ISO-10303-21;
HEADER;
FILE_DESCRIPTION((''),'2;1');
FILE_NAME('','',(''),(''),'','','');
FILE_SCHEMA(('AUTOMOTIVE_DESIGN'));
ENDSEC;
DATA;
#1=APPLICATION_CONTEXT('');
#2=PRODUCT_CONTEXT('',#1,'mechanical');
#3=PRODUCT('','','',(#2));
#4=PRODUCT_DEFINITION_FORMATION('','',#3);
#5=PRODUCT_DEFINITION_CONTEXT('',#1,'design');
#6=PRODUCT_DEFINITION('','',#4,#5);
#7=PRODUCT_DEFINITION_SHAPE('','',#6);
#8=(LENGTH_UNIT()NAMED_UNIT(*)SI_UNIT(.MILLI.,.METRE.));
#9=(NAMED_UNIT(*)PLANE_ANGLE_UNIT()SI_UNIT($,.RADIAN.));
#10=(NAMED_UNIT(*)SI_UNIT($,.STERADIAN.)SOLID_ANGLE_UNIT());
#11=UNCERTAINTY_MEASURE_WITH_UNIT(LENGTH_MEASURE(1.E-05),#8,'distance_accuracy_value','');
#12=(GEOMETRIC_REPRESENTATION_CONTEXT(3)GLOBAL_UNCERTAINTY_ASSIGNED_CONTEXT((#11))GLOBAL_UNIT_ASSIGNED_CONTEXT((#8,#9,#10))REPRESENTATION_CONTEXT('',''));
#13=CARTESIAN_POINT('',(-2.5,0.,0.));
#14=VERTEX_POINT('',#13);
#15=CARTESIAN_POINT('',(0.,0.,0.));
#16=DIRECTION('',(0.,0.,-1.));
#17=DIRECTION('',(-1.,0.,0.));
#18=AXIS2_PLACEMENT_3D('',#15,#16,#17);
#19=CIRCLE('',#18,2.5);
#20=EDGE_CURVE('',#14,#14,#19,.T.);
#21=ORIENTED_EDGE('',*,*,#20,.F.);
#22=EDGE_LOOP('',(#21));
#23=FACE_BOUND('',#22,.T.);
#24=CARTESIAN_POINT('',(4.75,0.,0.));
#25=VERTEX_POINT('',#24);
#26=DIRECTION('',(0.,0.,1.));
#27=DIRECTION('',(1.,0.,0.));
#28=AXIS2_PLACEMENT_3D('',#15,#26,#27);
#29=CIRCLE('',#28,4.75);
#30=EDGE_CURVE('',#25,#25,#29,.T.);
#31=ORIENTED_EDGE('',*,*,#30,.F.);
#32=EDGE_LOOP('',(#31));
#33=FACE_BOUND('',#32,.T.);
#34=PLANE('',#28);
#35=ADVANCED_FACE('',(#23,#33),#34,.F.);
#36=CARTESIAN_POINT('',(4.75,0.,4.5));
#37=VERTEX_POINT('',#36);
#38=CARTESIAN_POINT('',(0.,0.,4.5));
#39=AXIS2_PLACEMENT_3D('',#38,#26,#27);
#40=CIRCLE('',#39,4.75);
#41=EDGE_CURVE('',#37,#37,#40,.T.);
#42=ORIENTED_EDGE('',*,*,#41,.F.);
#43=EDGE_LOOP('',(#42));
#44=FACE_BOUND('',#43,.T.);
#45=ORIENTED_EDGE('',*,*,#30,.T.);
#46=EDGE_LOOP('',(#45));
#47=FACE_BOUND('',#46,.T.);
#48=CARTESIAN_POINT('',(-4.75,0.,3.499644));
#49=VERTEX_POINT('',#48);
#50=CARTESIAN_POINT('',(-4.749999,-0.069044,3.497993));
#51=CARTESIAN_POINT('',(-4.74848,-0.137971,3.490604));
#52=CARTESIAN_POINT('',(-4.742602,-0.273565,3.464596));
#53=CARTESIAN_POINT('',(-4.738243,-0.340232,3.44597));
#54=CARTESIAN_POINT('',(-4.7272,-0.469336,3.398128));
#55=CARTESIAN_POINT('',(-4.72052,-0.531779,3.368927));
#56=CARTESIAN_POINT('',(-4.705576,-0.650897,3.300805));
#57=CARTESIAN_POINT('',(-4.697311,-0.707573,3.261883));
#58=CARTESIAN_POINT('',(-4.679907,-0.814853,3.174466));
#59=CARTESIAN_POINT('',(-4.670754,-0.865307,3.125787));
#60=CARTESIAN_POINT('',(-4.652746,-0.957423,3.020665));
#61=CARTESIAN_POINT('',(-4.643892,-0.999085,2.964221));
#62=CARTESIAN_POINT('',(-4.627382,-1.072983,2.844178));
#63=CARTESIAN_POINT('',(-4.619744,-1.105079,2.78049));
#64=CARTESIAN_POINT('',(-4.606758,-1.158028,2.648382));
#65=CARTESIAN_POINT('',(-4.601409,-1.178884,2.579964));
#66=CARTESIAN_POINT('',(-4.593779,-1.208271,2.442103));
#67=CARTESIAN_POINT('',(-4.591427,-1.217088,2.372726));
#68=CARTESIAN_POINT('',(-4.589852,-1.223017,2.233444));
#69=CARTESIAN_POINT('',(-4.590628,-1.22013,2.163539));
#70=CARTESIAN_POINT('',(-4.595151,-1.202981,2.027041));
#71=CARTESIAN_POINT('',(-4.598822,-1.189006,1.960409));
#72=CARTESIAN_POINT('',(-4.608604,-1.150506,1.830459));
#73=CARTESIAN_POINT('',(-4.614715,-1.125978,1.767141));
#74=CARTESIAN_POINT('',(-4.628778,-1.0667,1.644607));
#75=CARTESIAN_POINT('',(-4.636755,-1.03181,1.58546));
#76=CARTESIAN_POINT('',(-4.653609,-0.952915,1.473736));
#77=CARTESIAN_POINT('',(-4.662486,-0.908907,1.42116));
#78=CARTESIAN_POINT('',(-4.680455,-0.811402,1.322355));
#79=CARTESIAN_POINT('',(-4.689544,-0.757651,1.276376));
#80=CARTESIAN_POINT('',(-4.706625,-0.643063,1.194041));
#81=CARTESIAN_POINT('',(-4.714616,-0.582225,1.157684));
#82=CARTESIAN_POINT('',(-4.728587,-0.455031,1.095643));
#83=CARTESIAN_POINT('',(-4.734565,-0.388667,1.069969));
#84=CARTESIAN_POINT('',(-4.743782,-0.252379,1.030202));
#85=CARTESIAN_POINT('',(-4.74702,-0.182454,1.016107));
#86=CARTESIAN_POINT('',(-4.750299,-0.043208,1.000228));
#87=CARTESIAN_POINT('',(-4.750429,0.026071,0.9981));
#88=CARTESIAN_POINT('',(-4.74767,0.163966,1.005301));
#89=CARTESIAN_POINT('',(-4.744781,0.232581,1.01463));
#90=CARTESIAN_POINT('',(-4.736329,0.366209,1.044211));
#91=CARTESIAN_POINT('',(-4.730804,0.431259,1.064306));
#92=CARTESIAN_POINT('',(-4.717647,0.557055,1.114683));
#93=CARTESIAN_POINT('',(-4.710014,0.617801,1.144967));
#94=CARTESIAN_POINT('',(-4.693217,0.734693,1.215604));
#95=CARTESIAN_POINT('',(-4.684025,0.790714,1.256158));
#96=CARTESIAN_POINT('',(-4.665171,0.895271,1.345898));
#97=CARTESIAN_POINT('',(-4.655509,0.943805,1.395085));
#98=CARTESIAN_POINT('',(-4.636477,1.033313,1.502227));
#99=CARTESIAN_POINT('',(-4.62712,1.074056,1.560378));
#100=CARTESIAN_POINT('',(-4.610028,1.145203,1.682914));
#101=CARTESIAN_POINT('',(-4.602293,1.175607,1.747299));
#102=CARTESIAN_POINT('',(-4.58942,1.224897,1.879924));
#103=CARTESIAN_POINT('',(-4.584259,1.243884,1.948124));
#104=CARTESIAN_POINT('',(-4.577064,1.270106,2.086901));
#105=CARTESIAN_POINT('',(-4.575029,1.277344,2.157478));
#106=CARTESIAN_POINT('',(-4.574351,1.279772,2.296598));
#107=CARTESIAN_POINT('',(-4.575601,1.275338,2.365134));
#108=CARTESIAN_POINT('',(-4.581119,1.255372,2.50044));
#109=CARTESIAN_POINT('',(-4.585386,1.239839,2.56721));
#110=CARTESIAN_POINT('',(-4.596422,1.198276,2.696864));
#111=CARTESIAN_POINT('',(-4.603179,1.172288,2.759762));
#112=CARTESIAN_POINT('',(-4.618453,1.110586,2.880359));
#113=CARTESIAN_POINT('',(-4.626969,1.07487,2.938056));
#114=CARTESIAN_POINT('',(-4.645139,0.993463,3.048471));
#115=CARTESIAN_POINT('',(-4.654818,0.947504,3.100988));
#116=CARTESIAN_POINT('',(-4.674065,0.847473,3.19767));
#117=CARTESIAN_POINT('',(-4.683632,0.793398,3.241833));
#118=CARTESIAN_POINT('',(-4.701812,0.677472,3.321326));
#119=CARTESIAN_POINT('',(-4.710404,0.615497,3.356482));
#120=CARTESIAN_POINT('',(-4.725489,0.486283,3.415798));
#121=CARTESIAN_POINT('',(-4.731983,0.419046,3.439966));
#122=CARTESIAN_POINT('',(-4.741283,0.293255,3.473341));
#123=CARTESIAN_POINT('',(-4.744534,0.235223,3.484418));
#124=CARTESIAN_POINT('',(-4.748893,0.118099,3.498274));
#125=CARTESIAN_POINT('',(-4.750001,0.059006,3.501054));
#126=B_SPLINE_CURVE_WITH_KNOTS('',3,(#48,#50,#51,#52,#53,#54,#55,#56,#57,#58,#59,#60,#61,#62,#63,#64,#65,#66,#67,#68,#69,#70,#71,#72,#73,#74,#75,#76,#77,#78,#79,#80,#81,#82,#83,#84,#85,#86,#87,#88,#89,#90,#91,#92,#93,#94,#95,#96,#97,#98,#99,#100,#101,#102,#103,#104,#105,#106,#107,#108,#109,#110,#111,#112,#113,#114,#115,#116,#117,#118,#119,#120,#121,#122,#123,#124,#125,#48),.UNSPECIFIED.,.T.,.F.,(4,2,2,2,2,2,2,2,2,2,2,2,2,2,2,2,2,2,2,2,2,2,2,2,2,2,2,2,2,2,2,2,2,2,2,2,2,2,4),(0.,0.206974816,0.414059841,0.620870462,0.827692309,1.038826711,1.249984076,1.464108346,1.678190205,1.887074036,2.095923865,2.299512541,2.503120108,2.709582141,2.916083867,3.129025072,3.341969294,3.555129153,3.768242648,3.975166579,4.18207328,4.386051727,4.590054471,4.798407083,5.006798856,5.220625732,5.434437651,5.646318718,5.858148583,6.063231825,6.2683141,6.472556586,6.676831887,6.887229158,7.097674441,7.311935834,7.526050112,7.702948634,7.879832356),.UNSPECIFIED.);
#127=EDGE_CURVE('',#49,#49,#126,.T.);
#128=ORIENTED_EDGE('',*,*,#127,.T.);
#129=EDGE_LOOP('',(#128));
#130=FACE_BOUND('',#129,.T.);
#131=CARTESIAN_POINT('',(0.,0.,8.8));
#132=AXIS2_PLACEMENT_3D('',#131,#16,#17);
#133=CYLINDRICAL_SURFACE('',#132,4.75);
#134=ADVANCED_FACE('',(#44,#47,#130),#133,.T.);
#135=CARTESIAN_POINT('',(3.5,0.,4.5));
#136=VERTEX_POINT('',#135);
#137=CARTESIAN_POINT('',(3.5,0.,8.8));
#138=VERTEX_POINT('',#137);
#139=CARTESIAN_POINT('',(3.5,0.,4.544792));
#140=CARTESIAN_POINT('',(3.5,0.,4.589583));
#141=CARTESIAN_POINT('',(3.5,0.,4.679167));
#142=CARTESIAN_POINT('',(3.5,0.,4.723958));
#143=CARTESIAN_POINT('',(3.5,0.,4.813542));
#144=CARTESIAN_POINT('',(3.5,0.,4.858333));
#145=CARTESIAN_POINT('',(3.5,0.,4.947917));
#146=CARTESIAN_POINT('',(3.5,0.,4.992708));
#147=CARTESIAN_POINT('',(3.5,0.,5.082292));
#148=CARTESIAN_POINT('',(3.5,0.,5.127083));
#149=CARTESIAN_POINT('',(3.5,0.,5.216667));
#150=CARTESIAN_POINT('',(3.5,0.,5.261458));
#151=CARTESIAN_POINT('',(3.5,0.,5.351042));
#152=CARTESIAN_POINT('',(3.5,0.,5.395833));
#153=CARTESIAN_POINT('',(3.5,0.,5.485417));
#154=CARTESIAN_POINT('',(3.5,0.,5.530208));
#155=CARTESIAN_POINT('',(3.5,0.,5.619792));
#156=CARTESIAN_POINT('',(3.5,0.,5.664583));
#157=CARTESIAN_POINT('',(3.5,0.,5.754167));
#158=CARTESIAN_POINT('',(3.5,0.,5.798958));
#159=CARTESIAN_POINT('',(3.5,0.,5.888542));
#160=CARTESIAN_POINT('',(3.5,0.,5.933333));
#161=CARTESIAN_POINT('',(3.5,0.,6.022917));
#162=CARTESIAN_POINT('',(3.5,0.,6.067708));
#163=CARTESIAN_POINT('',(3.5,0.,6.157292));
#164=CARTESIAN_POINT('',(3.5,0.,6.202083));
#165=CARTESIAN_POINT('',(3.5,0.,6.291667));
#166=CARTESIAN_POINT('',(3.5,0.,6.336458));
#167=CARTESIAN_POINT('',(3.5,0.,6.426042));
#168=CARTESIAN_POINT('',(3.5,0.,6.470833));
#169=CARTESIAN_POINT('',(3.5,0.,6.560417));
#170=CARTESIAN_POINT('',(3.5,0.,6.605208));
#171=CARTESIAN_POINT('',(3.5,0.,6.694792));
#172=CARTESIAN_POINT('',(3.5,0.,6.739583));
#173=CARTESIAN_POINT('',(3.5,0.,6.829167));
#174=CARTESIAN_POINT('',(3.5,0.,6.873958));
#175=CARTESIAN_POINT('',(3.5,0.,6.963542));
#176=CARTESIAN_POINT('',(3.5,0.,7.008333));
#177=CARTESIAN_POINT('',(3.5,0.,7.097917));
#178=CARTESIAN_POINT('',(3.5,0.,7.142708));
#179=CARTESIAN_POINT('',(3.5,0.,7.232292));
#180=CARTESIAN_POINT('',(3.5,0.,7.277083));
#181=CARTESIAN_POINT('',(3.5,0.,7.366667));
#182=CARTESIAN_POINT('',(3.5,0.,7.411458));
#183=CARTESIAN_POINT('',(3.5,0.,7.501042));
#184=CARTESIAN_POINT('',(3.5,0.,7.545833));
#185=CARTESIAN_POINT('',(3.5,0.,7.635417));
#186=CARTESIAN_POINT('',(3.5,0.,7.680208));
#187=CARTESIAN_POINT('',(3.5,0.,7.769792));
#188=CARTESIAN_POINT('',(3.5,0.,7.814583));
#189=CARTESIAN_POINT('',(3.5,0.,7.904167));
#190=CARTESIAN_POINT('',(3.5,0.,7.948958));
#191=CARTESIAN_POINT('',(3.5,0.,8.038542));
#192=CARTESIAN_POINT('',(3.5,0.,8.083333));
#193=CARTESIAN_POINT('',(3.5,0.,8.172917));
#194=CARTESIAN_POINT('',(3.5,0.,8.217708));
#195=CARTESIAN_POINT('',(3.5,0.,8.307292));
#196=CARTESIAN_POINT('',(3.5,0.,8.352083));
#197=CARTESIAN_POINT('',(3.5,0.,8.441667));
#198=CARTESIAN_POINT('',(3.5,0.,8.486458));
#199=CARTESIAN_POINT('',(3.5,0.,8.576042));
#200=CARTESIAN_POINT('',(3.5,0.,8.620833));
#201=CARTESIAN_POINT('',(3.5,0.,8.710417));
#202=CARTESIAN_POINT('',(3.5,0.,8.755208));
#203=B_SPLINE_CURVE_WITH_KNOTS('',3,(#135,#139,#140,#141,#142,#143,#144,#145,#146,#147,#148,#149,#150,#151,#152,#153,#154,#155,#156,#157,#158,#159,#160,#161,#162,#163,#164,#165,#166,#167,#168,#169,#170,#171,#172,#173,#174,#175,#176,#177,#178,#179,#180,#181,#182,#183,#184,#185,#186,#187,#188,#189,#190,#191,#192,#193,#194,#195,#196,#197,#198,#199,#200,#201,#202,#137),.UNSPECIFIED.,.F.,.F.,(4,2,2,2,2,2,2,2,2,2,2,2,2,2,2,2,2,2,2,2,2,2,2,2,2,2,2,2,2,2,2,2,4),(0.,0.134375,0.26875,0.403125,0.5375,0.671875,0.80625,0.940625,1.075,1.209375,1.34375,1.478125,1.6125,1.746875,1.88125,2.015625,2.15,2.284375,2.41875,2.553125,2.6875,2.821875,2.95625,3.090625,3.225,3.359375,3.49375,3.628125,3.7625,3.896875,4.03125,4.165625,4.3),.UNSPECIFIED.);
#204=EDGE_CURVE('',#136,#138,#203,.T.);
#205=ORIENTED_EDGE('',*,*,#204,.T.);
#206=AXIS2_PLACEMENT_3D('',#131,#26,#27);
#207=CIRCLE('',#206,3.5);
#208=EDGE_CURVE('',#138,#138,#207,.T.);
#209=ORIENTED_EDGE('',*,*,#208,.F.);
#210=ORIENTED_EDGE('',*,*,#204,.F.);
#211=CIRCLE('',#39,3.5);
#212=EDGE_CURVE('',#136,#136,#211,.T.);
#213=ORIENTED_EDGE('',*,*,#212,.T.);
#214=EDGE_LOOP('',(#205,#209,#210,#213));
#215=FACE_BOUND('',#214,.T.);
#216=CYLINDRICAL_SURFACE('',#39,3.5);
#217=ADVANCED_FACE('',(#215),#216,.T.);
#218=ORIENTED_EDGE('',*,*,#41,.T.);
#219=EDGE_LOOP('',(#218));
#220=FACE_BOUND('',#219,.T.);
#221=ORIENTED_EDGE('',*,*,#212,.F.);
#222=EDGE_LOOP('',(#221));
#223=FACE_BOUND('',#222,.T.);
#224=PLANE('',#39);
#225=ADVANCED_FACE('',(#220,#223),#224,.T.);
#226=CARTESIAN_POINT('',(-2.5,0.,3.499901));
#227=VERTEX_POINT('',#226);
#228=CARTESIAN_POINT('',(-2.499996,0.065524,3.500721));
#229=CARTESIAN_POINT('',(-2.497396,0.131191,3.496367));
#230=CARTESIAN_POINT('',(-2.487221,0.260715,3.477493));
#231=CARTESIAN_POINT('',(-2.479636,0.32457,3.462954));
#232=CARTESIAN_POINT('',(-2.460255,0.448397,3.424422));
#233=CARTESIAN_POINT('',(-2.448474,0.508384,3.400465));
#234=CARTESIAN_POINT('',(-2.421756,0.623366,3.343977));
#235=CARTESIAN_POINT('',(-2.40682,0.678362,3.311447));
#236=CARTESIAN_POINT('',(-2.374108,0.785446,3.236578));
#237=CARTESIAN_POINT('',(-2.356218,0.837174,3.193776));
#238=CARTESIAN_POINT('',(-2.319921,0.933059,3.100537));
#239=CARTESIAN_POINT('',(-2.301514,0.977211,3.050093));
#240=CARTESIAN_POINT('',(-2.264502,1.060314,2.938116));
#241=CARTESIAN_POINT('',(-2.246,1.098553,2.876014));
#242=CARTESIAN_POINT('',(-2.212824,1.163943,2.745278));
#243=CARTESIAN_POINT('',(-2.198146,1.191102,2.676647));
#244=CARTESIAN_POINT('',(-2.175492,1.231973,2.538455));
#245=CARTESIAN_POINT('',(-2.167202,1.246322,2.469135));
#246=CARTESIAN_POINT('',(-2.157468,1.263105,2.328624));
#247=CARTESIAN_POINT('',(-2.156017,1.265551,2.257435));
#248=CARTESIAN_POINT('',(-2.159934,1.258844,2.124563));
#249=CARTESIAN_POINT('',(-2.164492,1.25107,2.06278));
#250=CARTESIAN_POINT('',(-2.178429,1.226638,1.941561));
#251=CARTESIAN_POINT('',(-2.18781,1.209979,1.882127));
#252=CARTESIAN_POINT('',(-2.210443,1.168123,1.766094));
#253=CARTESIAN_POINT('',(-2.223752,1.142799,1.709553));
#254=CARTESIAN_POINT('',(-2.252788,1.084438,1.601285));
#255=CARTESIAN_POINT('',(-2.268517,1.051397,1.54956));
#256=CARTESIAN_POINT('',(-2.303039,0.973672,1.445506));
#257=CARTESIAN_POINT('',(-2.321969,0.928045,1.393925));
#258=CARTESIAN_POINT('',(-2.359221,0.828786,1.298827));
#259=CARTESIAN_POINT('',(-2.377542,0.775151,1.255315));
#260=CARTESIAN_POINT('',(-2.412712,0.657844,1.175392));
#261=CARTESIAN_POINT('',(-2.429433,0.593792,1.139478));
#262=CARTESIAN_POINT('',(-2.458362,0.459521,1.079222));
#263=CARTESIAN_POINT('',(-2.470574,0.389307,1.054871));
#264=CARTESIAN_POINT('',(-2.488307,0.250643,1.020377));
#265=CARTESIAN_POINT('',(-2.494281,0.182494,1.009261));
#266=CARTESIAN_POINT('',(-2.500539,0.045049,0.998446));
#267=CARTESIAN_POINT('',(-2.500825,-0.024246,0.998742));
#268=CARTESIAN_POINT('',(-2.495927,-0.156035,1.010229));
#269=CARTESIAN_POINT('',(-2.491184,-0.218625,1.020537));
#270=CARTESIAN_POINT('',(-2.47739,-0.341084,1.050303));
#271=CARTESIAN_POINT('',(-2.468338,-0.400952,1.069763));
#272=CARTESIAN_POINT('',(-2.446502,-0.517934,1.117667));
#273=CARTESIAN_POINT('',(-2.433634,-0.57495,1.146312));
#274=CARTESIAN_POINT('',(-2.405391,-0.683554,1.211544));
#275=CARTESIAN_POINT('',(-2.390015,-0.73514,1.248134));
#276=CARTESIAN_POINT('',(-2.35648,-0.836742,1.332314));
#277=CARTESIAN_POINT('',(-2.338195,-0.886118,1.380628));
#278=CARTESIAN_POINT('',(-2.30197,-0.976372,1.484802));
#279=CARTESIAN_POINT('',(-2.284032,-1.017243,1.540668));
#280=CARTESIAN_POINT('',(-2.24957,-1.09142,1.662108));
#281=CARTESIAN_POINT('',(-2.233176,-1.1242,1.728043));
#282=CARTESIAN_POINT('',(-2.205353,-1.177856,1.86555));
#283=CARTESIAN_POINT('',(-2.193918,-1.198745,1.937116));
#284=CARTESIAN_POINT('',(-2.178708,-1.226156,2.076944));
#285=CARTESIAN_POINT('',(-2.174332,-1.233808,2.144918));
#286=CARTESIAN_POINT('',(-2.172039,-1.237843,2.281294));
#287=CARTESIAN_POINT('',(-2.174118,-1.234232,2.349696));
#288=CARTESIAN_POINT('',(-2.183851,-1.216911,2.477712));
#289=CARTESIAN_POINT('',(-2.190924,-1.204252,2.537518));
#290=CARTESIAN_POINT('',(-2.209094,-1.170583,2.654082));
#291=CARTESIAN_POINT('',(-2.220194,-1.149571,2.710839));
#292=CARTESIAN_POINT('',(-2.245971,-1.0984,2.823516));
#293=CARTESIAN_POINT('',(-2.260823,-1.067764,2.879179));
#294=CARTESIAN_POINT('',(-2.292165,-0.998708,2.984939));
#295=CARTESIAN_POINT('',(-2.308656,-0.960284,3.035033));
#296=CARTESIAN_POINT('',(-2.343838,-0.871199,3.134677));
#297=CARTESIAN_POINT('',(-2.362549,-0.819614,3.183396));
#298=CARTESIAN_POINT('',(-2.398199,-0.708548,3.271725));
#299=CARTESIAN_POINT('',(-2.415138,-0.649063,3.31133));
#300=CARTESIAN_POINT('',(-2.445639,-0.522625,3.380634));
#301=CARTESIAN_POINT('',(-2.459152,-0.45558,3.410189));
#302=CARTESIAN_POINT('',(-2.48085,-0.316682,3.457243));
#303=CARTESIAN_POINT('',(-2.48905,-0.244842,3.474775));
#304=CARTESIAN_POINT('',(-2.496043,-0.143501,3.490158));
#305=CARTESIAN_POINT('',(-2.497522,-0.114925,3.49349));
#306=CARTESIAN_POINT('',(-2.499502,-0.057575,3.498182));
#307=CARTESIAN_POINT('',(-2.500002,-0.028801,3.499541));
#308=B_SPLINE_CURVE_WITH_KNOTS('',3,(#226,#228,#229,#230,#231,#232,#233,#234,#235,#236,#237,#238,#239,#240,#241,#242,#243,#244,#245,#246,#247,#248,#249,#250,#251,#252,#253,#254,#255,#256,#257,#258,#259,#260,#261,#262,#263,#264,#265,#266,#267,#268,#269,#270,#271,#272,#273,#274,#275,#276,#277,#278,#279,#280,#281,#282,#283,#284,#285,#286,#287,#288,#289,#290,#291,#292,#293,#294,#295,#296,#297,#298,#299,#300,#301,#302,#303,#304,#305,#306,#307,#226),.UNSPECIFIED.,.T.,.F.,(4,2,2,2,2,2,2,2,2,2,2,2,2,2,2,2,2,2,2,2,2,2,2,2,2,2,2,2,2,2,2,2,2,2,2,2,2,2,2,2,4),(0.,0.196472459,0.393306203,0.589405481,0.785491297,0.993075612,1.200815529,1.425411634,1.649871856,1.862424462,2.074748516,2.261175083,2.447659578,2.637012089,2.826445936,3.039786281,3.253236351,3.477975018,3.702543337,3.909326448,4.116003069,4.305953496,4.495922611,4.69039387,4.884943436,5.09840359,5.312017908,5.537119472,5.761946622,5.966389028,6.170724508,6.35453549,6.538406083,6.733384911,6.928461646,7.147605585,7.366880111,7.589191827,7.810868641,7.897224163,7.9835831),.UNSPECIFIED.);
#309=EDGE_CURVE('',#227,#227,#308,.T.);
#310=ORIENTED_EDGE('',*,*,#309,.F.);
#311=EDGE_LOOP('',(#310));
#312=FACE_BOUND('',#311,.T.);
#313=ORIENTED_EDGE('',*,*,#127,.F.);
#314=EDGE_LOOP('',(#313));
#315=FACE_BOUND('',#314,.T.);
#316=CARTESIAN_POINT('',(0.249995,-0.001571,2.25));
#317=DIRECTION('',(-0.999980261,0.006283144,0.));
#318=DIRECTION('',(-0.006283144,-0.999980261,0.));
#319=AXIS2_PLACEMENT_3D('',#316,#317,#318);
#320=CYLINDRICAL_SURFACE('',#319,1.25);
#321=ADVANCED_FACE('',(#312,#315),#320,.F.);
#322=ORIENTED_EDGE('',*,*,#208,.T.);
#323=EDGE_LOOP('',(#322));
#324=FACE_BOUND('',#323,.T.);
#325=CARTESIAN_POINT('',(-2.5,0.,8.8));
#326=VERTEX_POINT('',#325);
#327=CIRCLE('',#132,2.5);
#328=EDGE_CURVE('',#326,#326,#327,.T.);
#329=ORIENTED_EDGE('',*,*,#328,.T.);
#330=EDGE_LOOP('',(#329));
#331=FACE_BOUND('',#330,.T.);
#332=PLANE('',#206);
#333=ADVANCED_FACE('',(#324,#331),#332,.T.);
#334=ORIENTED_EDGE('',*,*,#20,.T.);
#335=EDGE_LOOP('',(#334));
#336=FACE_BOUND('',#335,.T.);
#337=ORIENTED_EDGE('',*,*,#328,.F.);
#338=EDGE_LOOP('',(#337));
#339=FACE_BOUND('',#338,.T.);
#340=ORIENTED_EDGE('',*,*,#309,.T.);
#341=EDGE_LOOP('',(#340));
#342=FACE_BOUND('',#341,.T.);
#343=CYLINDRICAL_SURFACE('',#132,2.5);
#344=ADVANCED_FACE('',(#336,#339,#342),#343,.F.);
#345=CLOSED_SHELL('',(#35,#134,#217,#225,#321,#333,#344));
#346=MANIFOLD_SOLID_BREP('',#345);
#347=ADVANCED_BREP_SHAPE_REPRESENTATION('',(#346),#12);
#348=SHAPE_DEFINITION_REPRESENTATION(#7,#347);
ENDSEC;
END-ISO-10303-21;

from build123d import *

# Parameters (mm, degrees)
ESQUISSE1_R             = 4.75
BOSS_EXTRU_1_DEPTH      = 8.8
ENL_V_START             = -4.3
ESQUISSE2_R             = 4.75
ESQUISSE2_R_2           = 3.5
ENL_V_MAT_EXTRU_1_DEPTH = 4.3
ESQUISSE3_R             = 2.5
ENL_V_MAT_EXTRU_2_DEPTH = 12.070907822
ESQUISSE5_R             = 1.25
ENL_V_MAT_EXTRU_3_DEPTH = 5


with BuildPart() as part:
    # Esquisse1 → Boss.-Extru.1 (new body)
    with BuildSketch(Plane.XY):
        Circle(ESQUISSE1_R)
    extrude(amount=BOSS_EXTRU_1_DEPTH)

    # Esquisse2 → Enlèv. mat.-Extru.1 (cut)
    with BuildSketch(Plane.XY.offset(8.8).offset(ENL_V_START)):
        Circle(ESQUISSE2_R)
        Circle(ESQUISSE2_R_2, mode=Mode.SUBTRACT)
    extrude(amount=ENL_V_MAT_EXTRU_1_DEPTH, mode=Mode.SUBTRACT)

    # Esquisse3 → Enlèv. mat.-Extru.2 (cut, through all)
    with BuildSketch(Plane(origin=(0, 0, 0), x_dir=(-1, 0, 0), z_dir=(0, 0, -1))):
        Circle(ESQUISSE3_R)
    extrude(amount=-ENL_V_MAT_EXTRU_2_DEPTH, mode=Mode.SUBTRACT)

    # Esquisse5 → Enlèv. mat.-Extru.3 (cut)
    with BuildSketch(Plane(origin=(-4.749906239, 0.029844934, 2.25), x_dir=(0, 0, 1), z_dir=(-0.9999802608561372, 0.006283143965558953, 0))):
        with Locations(Location((0, 0, 0), (0, 0, 358.631878995))):
            Circle(ESQUISSE5_R)
    extrude(amount=-ENL_V_MAT_EXTRU_3_DEPTH, mode=Mode.SUBTRACT)


solid = part.part
